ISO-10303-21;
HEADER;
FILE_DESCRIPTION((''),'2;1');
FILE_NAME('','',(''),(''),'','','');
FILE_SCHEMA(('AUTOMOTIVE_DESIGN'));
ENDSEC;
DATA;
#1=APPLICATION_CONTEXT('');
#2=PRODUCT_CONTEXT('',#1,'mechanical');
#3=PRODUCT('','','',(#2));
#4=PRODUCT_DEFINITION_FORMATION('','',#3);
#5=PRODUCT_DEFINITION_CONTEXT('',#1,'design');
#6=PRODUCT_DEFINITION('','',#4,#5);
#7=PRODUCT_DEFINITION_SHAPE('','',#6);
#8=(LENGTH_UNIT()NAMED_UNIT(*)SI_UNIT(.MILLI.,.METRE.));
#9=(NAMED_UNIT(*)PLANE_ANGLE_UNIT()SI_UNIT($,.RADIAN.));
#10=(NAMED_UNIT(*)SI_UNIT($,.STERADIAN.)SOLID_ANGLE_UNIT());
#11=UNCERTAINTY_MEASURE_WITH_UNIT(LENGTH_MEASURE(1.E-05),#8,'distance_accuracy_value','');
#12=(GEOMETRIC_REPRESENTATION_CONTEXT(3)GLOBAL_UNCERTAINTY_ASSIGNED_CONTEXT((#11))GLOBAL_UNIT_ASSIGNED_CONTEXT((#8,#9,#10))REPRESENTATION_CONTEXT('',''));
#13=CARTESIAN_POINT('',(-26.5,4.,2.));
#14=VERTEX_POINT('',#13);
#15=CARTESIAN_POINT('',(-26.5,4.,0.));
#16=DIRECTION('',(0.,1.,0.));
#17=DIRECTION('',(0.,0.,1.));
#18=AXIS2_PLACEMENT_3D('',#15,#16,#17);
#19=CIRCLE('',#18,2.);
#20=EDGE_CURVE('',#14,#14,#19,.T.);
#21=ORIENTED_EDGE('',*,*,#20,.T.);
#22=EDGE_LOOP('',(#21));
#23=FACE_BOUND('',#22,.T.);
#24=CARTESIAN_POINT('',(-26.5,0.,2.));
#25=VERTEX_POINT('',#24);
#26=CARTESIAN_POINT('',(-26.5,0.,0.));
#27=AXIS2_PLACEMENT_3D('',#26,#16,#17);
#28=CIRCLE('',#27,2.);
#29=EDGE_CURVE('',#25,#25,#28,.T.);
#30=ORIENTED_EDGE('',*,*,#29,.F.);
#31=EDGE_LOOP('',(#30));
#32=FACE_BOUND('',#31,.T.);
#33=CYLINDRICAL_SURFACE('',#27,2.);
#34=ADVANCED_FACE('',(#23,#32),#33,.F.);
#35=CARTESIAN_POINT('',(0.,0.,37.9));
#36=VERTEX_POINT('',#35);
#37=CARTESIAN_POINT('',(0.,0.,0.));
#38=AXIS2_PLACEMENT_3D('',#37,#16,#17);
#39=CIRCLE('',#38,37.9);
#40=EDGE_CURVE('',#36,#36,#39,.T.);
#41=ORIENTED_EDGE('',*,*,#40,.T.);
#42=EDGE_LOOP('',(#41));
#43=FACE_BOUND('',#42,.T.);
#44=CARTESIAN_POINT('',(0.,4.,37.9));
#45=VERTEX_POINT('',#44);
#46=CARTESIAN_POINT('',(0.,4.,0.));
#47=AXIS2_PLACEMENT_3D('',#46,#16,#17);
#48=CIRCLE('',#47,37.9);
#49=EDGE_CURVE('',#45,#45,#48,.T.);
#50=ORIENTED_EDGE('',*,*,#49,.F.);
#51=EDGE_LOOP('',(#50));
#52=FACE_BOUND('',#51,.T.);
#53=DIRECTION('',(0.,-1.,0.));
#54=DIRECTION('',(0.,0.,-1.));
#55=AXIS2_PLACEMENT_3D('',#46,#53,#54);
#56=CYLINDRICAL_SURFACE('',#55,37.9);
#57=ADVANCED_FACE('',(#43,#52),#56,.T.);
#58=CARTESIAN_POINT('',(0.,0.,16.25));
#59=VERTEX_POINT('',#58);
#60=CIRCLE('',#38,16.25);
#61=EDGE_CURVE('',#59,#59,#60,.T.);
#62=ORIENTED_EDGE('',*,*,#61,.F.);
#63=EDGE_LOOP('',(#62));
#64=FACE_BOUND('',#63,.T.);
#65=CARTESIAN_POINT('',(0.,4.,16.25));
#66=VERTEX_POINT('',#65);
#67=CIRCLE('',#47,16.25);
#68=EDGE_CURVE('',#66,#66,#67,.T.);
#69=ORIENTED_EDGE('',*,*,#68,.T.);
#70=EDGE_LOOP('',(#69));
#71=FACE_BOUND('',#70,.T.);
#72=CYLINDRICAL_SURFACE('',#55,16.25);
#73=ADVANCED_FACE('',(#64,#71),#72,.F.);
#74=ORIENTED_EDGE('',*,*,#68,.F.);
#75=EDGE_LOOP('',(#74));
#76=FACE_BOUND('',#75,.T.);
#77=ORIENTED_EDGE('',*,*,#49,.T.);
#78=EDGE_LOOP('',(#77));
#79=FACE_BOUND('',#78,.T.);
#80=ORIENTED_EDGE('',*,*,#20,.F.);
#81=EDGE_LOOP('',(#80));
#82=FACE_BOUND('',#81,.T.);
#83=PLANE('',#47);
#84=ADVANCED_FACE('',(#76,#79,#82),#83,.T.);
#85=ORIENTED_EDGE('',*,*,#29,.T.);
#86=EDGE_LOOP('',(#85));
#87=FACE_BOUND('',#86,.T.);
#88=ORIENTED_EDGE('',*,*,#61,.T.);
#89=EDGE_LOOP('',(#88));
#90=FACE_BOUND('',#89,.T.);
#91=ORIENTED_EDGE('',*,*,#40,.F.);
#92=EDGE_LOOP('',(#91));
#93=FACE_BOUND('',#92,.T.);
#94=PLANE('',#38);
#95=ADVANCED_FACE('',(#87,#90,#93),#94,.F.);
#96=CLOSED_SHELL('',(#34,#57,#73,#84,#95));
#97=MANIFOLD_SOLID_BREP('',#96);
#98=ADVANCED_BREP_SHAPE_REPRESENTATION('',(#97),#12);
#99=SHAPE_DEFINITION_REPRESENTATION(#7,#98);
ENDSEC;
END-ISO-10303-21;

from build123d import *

# Parameters (mm, degrees)
SKETCH1_R           = 37.9
SKETCH1_R_2         = 16.25
BOSS_EXTRUDE1_DEPTH = 4
SKETCH2_R           = 2
CUT_EXTRUDE1_DEPTH  = 54.747744139


with BuildPart() as part:
    # Sketch1 → Boss-Extrude1 (new body)
    with BuildSketch(Plane(origin=(0, 0, 0), x_dir=(1, 0, 0), z_dir=(0, 1, 0))):
        with Locations(Location((0, 0, 0), (0, 0, 270))):
            Circle(SKETCH1_R)
        with Locations(Location((0, 0, 0), (0, 0, 270))):
            Circle(SKETCH1_R_2, mode=Mode.SUBTRACT)
    extrude(amount=BOSS_EXTRUDE1_DEPTH)

    # Sketch2 → Cut-Extrude1 (cut, through all)
    with BuildSketch(Plane(origin=(0, 4, 0), x_dir=(1, 0, 0), z_dir=(0, 1, 0))):
        with Locations(Location((-26.5, 0, 0), (0, 0, 270))):
            Circle(SKETCH2_R)
    extrude(amount=-CUT_EXTRUDE1_DEPTH, mode=Mode.SUBTRACT)


solid = part.part
